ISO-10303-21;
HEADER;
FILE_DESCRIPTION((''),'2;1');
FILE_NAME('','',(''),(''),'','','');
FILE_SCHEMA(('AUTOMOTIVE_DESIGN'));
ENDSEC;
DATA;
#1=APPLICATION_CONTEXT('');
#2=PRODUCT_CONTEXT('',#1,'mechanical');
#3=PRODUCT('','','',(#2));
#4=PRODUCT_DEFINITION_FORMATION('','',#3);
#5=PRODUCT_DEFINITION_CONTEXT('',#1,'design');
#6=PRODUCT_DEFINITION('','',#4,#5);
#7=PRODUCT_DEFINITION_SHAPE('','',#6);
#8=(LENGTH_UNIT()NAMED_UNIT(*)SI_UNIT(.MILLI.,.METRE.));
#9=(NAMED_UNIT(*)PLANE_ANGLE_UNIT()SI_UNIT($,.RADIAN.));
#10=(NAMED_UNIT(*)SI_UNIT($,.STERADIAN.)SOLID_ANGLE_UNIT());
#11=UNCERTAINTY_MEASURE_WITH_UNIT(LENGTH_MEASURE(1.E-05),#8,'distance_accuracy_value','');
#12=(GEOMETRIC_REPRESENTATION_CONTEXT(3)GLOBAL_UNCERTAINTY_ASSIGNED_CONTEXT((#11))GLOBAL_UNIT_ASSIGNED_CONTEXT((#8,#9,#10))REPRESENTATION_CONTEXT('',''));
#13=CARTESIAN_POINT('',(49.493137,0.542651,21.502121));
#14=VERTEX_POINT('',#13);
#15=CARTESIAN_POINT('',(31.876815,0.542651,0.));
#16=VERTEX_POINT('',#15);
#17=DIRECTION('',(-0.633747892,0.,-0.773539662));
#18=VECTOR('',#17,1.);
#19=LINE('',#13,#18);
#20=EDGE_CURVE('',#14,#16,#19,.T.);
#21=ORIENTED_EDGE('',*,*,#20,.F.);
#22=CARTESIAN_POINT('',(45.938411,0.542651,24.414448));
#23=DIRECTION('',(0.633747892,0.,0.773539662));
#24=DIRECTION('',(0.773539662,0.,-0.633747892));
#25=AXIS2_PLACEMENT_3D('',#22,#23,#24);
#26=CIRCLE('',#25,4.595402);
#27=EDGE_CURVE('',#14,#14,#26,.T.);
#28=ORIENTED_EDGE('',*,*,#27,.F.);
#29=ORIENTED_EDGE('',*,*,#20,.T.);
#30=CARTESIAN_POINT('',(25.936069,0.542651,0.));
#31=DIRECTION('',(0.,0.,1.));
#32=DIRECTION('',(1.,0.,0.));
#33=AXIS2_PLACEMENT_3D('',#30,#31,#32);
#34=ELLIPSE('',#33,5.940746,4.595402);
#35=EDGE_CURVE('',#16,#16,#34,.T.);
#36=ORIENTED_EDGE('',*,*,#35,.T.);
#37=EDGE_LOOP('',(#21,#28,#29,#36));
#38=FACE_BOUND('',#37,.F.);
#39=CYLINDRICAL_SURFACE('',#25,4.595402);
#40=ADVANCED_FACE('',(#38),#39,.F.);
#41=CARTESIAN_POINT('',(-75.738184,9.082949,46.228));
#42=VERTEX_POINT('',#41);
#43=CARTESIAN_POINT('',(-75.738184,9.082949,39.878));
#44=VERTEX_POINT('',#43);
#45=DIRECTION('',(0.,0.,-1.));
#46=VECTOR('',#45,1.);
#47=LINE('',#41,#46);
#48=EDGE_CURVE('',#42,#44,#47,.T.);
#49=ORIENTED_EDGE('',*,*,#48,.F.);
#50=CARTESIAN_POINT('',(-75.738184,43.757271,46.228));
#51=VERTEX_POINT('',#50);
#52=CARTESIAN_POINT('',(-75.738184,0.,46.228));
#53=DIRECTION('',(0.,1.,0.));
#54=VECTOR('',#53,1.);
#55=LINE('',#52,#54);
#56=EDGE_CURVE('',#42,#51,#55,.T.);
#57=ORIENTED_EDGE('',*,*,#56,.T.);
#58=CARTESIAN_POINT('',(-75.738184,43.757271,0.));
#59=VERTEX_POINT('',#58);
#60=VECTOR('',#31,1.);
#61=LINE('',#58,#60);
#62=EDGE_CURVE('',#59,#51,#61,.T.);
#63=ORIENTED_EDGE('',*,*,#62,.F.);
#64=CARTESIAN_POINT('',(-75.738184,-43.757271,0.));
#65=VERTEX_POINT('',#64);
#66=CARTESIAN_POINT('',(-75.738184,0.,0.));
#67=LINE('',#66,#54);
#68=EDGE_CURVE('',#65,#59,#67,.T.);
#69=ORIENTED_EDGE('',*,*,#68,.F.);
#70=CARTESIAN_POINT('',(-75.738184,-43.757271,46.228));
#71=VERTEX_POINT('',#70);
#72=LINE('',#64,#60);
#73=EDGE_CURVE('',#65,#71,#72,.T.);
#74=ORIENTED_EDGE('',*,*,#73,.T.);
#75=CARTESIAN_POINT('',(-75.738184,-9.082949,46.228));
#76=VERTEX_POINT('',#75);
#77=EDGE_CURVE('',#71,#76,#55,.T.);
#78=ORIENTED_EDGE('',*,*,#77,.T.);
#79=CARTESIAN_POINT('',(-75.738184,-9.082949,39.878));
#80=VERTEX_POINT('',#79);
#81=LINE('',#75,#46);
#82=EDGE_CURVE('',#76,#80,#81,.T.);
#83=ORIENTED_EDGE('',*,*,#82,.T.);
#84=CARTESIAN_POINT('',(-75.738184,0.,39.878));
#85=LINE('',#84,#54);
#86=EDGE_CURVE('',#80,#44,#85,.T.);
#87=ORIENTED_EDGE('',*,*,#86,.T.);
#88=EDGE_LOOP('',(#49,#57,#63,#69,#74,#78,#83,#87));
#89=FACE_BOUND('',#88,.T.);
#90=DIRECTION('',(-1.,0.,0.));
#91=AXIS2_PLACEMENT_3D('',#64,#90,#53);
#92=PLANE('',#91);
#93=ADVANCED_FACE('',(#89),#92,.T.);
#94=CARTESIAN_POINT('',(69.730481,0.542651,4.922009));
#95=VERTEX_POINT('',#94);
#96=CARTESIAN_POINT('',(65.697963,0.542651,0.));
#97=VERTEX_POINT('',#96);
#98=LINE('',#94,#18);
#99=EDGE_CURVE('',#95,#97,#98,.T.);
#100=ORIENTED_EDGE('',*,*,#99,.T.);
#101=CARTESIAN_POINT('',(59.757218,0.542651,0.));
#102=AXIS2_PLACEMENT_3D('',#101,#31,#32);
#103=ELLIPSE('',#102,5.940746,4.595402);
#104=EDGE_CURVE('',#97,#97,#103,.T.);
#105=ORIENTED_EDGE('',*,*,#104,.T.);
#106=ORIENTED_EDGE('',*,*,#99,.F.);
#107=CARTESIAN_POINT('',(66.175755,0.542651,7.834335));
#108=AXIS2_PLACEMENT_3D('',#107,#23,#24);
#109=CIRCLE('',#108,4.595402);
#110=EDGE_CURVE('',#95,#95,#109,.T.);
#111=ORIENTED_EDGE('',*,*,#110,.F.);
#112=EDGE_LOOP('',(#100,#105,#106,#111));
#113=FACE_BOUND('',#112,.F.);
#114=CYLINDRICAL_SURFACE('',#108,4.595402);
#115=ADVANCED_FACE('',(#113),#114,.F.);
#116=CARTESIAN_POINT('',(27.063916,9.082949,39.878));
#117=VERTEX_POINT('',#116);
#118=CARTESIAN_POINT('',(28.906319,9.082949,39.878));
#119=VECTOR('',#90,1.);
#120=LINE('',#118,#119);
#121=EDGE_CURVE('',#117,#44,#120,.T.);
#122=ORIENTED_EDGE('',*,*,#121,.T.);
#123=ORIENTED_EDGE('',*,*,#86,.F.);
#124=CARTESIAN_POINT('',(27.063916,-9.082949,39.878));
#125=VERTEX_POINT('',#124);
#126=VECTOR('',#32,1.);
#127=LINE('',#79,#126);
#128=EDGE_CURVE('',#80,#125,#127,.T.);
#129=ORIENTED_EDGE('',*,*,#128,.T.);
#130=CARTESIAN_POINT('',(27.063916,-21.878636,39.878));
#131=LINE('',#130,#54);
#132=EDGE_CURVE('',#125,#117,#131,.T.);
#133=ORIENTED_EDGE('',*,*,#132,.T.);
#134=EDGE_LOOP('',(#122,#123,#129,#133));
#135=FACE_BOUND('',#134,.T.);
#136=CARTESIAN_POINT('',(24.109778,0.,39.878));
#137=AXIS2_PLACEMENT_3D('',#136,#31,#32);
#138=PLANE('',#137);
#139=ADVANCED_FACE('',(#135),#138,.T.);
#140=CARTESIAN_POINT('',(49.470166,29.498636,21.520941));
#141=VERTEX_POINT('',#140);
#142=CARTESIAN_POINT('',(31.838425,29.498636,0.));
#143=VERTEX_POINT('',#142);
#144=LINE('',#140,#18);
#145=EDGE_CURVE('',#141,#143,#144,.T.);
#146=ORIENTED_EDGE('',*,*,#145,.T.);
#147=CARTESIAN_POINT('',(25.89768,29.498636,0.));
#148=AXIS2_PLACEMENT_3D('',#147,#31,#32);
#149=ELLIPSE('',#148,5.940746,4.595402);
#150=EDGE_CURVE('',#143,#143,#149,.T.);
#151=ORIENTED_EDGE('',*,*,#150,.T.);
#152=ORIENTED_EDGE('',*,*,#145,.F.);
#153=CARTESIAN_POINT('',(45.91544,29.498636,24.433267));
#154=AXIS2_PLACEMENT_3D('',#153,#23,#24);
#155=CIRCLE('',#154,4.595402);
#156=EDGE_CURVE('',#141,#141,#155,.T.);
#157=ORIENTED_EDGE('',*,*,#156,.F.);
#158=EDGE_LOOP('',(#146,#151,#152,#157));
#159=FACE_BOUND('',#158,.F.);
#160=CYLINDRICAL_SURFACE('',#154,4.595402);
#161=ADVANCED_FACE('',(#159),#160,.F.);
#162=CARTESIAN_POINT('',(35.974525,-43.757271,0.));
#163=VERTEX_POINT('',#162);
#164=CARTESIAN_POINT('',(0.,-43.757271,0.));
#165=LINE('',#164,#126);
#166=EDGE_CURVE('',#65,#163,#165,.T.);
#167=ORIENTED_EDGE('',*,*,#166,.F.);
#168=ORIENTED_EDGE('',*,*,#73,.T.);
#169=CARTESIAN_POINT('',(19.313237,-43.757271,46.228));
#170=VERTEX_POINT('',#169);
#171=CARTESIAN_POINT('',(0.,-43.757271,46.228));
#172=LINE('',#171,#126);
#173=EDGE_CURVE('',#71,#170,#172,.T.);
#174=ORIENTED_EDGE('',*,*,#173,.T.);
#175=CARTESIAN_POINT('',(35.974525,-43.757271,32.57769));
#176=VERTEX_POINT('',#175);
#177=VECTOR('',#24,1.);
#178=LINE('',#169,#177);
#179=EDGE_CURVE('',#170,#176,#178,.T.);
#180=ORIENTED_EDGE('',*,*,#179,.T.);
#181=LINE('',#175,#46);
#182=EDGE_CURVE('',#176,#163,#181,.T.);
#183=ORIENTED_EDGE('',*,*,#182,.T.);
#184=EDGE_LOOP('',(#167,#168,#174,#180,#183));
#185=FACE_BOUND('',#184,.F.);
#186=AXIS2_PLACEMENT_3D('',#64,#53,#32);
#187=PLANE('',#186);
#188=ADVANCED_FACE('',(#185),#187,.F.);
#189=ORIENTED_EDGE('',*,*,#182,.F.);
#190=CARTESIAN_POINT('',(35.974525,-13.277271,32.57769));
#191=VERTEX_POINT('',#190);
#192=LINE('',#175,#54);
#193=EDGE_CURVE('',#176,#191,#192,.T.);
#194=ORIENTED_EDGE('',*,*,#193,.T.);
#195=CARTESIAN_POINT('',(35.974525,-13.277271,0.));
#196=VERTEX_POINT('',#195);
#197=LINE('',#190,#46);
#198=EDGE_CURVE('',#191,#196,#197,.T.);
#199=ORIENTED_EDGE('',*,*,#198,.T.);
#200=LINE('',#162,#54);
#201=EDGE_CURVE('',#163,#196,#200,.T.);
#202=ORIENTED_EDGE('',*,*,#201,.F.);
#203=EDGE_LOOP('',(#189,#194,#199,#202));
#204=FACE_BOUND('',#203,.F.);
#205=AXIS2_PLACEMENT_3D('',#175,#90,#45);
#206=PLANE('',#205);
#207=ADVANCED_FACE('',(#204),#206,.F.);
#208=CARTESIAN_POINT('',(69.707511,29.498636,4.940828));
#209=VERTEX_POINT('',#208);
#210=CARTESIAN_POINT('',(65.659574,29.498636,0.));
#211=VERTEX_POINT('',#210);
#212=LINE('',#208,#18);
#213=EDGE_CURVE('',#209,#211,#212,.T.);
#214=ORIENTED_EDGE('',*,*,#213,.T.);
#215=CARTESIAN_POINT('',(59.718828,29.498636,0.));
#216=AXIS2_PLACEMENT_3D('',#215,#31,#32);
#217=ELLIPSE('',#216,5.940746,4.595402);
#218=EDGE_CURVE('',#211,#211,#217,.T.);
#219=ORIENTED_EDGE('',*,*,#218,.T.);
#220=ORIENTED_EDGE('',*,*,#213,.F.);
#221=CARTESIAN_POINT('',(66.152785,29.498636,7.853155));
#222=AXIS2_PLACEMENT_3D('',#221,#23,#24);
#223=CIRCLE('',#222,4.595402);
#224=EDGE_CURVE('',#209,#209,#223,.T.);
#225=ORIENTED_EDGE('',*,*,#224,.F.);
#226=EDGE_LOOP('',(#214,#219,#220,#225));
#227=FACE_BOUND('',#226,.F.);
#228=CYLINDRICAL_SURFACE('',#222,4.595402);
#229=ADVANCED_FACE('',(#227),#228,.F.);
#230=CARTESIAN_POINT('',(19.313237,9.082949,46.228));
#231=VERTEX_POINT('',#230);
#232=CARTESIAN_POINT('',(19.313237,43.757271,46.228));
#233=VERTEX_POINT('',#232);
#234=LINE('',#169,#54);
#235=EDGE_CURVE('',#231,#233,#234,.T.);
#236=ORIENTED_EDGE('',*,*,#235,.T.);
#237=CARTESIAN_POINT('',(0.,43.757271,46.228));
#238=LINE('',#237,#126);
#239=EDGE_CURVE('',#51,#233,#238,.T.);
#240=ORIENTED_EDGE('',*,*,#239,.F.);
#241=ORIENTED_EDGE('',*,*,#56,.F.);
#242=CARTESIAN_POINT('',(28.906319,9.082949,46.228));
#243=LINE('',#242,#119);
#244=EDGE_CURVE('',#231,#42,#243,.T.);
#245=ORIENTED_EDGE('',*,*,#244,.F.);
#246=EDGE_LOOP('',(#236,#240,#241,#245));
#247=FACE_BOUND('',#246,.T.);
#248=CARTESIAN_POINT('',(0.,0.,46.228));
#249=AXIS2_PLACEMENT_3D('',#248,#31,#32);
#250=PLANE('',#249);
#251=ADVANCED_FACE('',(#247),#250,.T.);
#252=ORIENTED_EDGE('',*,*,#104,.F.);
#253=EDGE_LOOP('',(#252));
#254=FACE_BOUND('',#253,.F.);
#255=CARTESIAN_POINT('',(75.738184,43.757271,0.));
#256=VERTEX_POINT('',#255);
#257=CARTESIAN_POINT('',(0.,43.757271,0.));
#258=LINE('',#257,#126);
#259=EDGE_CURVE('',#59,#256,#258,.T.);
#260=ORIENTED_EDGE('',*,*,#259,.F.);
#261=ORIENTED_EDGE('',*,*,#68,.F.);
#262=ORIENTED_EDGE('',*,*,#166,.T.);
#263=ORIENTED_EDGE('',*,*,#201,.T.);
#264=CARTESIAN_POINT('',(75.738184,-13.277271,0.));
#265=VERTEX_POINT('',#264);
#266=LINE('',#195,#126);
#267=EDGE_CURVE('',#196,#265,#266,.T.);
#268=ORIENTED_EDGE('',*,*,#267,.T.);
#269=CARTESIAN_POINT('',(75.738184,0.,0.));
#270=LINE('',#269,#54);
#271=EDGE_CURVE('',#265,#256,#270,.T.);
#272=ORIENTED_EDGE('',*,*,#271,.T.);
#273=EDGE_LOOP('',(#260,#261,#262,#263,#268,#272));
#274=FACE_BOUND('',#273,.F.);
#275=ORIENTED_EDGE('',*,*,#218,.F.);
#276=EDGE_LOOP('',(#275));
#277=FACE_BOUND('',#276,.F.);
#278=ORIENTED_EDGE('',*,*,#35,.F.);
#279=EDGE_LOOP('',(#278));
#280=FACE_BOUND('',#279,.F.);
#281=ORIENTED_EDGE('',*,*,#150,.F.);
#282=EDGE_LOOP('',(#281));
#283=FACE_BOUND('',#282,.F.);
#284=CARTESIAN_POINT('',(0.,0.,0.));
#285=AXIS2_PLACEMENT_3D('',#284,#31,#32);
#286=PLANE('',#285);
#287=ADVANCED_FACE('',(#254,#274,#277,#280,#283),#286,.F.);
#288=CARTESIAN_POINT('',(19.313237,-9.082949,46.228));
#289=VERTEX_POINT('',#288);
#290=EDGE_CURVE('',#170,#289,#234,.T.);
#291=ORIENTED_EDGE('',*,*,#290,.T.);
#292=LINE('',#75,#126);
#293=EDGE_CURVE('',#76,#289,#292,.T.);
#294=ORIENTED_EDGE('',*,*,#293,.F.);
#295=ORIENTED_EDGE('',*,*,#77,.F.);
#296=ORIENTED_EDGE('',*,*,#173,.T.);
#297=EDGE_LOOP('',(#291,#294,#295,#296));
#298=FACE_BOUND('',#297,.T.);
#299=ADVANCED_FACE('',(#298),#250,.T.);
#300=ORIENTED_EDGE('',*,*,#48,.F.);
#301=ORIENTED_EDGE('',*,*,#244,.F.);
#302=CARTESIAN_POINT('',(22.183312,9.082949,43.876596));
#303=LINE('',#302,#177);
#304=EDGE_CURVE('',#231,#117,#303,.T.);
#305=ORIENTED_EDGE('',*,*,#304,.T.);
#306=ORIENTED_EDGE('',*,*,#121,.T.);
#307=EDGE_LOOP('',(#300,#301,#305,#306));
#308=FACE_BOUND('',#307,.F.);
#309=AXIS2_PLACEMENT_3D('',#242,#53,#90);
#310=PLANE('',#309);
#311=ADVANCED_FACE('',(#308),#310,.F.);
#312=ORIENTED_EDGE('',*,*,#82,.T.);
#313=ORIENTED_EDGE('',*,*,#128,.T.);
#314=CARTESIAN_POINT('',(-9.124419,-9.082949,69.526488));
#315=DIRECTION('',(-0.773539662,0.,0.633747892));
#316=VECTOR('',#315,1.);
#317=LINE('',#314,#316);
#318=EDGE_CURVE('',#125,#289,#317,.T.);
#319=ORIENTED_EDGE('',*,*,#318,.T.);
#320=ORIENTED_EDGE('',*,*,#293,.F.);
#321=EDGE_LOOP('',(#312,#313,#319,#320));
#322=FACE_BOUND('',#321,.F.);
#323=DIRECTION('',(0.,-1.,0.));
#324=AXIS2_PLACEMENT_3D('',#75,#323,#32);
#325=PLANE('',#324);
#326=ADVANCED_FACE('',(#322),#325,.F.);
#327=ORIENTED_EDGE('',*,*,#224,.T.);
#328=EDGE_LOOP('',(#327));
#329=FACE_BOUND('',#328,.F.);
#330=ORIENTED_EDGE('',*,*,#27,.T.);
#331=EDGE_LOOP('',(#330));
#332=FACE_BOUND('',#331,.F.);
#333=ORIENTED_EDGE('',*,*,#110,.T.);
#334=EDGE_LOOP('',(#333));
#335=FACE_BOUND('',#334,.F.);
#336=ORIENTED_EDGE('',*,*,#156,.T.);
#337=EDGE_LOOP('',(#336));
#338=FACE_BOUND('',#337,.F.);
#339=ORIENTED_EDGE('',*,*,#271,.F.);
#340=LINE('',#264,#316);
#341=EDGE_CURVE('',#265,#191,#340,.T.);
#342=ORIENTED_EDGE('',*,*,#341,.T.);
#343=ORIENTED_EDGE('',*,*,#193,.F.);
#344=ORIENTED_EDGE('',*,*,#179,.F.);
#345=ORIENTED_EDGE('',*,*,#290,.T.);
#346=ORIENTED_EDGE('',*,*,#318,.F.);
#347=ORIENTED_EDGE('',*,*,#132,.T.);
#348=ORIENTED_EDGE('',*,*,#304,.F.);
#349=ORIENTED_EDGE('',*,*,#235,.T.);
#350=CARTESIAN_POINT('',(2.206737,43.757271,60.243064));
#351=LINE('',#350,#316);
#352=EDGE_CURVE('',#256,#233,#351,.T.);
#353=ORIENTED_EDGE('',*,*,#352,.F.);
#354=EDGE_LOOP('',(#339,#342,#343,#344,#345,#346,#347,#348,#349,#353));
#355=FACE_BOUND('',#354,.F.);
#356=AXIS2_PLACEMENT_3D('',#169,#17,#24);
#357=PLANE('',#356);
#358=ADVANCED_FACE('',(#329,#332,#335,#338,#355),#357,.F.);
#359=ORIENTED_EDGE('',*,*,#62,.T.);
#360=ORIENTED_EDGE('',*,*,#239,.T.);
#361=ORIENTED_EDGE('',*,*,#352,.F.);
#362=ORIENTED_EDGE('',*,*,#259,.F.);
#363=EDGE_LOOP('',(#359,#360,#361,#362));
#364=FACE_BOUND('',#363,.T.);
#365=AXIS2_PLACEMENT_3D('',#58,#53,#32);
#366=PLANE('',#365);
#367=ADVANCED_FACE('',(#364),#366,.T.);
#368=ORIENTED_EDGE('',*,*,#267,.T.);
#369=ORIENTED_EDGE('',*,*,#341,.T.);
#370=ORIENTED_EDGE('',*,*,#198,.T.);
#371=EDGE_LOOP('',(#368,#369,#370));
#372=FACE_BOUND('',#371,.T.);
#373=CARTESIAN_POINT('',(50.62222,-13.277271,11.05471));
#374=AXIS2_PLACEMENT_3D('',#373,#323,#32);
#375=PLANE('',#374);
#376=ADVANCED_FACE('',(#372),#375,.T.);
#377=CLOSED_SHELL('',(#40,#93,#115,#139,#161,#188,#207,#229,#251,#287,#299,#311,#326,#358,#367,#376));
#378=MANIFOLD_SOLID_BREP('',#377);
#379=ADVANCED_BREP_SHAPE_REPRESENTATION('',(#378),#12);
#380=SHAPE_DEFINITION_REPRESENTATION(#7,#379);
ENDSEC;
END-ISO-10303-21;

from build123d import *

# Parameters (mm, degrees)
F0_W     = 151.4763683081
F0_H     = 87.5145420432
F1_DEPTH = 46.228
F3_DEPTH = 102.87
F5_DEPTH = 30.48
F6_W     = 9.5930825919
F6_H     = 18.165897578
F6_W_2   = 95.0514208525
F7_DEPTH = 6.35
F8_R     = 4.5954023878
F9_DEPTH = 52.324


with BuildPart() as f1:
    # F0 (on Top) → F1 (new body)
    with BuildSketch(Plane.XY):
        Rectangle(F0_W, F0_H)
    extrude(amount=F1_DEPTH)

    # F2 (on face) → F3 (cut)
    with BuildSketch(Plane.XZ.offset(43.7572710216)):
        Polygon((75.738184154, 46.228), (19.3132366985, 46.228), (75.738184154, 0), align=None)
    extrude(amount=-F3_DEPTH, mode=Mode.SUBTRACT)

    # F4 (on face) → F5 (cut)
    with BuildSketch(Plane.XZ.offset(43.7572710216)):
        Polygon((75.738184154, 0), (35.9745252221, 32.5776896214), (35.9745252221, 0), align=None)
    extrude(amount=-F5_DEPTH, mode=Mode.SUBTRACT)

    # F6 (on face) → F7 (cut)
    with BuildSketch(Plane.XY.offset(46.228)):
        with Locations((24.1097779945, 0)):
            Rectangle(F6_W, F6_H)
        with Locations((-28.2124737278, 0)):
            Rectangle(F6_W_2, F6_H)
    extrude(amount=-F7_DEPTH, mode=Mode.SUBTRACT)

    # F8 (on face) → F9 (cut)
    with BuildSketch(Plane(origin=(30.4192109251, 0, 37.1290641622), x_dir=(0.7735396624, 0, -0.6337478921), z_dir=(0.6337478921, 0, 0.7735396624))):
        with Locations((20.0625781017, 0.542650738)):
            Circle(F8_R)
        with Locations((20.032882325, 29.4986355108)):
            Circle(F8_R)
        with Locations((46.194882325, 29.4986355108)):
            Circle(F8_R)
        with Locations((46.2245781017, 0.542650738)):
            Circle(F8_R)
    extrude(amount=-F9_DEPTH, mode=Mode.SUBTRACT)


solid = f1.part
